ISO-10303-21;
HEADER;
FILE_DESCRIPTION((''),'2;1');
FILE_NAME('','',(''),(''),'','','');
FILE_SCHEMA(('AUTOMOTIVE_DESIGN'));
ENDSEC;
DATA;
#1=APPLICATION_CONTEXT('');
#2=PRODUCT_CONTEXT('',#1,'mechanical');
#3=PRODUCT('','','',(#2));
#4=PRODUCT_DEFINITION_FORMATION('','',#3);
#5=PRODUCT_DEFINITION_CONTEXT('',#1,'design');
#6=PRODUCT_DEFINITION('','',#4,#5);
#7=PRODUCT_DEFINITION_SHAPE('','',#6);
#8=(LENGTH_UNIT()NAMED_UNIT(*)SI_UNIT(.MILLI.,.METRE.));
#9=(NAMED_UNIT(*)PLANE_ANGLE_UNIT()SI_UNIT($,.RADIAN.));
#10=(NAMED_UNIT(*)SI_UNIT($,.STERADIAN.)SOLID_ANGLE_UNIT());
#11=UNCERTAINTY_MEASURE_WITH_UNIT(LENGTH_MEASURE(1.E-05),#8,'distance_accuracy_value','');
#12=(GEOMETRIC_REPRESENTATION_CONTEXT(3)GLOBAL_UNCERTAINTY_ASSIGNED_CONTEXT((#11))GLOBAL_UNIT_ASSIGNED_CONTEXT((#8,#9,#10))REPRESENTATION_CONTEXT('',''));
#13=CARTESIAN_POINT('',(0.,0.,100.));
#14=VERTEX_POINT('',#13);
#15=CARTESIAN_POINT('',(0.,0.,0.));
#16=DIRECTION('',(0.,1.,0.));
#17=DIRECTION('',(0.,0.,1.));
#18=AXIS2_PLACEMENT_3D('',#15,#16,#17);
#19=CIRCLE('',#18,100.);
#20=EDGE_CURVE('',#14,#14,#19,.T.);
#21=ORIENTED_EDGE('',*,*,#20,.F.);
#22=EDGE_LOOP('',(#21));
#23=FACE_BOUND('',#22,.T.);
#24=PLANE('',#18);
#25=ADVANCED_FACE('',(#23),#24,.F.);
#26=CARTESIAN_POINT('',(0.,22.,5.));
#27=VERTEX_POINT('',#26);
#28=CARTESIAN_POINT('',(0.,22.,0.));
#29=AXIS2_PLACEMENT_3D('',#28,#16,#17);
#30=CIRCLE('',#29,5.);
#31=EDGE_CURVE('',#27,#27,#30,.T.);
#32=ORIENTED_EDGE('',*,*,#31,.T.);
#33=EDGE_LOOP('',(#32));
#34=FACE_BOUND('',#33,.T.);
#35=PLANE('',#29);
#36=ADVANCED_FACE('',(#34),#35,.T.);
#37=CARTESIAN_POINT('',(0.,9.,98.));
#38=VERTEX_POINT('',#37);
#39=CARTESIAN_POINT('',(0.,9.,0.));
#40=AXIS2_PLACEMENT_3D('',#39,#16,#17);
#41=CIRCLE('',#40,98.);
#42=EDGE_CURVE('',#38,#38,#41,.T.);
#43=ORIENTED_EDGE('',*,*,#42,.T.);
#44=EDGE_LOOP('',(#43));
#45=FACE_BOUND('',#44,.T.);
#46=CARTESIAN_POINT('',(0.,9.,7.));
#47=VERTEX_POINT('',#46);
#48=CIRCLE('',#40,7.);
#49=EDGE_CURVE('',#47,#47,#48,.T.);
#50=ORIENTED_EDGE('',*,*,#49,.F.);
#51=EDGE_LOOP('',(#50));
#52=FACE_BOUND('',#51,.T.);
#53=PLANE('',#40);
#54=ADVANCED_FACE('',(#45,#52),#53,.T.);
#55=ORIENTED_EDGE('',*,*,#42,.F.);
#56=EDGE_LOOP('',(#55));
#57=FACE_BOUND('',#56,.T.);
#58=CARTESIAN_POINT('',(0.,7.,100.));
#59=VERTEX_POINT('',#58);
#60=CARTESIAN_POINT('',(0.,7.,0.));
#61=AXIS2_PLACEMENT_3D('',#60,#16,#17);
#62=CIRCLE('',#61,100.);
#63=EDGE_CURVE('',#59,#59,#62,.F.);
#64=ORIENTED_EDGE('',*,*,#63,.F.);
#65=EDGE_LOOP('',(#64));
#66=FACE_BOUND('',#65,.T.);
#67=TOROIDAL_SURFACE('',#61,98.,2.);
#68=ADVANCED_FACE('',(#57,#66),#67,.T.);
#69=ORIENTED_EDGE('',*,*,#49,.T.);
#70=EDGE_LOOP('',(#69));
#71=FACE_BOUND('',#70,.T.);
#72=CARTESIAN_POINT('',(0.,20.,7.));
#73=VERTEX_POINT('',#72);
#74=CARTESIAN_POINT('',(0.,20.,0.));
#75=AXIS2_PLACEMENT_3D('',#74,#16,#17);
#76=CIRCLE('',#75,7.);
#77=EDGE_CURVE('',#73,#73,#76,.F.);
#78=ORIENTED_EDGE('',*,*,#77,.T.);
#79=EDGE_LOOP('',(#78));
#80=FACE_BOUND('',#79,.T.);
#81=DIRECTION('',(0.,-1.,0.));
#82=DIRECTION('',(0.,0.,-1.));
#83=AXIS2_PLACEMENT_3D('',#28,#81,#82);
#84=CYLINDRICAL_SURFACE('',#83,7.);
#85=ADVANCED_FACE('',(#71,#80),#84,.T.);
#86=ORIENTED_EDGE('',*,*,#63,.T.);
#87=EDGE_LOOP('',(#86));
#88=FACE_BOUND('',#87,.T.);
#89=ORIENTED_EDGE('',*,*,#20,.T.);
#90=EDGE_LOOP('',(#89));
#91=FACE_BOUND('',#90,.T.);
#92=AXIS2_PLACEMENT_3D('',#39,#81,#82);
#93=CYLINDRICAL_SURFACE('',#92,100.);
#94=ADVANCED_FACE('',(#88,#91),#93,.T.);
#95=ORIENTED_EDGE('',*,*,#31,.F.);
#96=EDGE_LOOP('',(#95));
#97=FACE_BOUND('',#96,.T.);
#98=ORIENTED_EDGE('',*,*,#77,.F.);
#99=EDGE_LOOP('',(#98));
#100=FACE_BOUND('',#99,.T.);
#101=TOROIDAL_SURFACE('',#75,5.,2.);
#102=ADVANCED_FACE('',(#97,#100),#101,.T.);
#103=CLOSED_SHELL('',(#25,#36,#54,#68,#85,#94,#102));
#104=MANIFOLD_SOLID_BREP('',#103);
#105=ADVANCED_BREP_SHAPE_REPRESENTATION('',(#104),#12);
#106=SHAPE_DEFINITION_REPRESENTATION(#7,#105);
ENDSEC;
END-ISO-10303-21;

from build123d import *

# Parameters (mm, degrees)
SKETCH1_R           = 100
BOSS_EXTRUDE1_DEPTH = 9
SKETCH2_R           = 7
BOSS_EXTRUDE2_DEPTH = 13
FILLET1_R           = 2


with BuildPart() as part:
    # Sketch1 → Boss-Extrude1 (new body)
    with BuildSketch(Plane(origin=(0, 0, 0), x_dir=(1, 0, 0), z_dir=(0, 1, 0))):
        Circle(SKETCH1_R)
    extrude(amount=BOSS_EXTRUDE1_DEPTH)

    # Sketch2 → Boss-Extrude2 (add)
    with BuildSketch(Plane(origin=(0, 9, 0), x_dir=(1, 0, 0), z_dir=(0, 1, 0))):
        Circle(SKETCH2_R)
    extrude(amount=BOSS_EXTRUDE2_DEPTH)

    # Fillet1
    fillet1_edges = [part.edges().sort_by_distance(p)[0] for p in [
        (-100, 9, 0),
        (-7, 22, 0),
    ]]
    fillet(fillet1_edges, radius=FILLET1_R)


solid = part.part
